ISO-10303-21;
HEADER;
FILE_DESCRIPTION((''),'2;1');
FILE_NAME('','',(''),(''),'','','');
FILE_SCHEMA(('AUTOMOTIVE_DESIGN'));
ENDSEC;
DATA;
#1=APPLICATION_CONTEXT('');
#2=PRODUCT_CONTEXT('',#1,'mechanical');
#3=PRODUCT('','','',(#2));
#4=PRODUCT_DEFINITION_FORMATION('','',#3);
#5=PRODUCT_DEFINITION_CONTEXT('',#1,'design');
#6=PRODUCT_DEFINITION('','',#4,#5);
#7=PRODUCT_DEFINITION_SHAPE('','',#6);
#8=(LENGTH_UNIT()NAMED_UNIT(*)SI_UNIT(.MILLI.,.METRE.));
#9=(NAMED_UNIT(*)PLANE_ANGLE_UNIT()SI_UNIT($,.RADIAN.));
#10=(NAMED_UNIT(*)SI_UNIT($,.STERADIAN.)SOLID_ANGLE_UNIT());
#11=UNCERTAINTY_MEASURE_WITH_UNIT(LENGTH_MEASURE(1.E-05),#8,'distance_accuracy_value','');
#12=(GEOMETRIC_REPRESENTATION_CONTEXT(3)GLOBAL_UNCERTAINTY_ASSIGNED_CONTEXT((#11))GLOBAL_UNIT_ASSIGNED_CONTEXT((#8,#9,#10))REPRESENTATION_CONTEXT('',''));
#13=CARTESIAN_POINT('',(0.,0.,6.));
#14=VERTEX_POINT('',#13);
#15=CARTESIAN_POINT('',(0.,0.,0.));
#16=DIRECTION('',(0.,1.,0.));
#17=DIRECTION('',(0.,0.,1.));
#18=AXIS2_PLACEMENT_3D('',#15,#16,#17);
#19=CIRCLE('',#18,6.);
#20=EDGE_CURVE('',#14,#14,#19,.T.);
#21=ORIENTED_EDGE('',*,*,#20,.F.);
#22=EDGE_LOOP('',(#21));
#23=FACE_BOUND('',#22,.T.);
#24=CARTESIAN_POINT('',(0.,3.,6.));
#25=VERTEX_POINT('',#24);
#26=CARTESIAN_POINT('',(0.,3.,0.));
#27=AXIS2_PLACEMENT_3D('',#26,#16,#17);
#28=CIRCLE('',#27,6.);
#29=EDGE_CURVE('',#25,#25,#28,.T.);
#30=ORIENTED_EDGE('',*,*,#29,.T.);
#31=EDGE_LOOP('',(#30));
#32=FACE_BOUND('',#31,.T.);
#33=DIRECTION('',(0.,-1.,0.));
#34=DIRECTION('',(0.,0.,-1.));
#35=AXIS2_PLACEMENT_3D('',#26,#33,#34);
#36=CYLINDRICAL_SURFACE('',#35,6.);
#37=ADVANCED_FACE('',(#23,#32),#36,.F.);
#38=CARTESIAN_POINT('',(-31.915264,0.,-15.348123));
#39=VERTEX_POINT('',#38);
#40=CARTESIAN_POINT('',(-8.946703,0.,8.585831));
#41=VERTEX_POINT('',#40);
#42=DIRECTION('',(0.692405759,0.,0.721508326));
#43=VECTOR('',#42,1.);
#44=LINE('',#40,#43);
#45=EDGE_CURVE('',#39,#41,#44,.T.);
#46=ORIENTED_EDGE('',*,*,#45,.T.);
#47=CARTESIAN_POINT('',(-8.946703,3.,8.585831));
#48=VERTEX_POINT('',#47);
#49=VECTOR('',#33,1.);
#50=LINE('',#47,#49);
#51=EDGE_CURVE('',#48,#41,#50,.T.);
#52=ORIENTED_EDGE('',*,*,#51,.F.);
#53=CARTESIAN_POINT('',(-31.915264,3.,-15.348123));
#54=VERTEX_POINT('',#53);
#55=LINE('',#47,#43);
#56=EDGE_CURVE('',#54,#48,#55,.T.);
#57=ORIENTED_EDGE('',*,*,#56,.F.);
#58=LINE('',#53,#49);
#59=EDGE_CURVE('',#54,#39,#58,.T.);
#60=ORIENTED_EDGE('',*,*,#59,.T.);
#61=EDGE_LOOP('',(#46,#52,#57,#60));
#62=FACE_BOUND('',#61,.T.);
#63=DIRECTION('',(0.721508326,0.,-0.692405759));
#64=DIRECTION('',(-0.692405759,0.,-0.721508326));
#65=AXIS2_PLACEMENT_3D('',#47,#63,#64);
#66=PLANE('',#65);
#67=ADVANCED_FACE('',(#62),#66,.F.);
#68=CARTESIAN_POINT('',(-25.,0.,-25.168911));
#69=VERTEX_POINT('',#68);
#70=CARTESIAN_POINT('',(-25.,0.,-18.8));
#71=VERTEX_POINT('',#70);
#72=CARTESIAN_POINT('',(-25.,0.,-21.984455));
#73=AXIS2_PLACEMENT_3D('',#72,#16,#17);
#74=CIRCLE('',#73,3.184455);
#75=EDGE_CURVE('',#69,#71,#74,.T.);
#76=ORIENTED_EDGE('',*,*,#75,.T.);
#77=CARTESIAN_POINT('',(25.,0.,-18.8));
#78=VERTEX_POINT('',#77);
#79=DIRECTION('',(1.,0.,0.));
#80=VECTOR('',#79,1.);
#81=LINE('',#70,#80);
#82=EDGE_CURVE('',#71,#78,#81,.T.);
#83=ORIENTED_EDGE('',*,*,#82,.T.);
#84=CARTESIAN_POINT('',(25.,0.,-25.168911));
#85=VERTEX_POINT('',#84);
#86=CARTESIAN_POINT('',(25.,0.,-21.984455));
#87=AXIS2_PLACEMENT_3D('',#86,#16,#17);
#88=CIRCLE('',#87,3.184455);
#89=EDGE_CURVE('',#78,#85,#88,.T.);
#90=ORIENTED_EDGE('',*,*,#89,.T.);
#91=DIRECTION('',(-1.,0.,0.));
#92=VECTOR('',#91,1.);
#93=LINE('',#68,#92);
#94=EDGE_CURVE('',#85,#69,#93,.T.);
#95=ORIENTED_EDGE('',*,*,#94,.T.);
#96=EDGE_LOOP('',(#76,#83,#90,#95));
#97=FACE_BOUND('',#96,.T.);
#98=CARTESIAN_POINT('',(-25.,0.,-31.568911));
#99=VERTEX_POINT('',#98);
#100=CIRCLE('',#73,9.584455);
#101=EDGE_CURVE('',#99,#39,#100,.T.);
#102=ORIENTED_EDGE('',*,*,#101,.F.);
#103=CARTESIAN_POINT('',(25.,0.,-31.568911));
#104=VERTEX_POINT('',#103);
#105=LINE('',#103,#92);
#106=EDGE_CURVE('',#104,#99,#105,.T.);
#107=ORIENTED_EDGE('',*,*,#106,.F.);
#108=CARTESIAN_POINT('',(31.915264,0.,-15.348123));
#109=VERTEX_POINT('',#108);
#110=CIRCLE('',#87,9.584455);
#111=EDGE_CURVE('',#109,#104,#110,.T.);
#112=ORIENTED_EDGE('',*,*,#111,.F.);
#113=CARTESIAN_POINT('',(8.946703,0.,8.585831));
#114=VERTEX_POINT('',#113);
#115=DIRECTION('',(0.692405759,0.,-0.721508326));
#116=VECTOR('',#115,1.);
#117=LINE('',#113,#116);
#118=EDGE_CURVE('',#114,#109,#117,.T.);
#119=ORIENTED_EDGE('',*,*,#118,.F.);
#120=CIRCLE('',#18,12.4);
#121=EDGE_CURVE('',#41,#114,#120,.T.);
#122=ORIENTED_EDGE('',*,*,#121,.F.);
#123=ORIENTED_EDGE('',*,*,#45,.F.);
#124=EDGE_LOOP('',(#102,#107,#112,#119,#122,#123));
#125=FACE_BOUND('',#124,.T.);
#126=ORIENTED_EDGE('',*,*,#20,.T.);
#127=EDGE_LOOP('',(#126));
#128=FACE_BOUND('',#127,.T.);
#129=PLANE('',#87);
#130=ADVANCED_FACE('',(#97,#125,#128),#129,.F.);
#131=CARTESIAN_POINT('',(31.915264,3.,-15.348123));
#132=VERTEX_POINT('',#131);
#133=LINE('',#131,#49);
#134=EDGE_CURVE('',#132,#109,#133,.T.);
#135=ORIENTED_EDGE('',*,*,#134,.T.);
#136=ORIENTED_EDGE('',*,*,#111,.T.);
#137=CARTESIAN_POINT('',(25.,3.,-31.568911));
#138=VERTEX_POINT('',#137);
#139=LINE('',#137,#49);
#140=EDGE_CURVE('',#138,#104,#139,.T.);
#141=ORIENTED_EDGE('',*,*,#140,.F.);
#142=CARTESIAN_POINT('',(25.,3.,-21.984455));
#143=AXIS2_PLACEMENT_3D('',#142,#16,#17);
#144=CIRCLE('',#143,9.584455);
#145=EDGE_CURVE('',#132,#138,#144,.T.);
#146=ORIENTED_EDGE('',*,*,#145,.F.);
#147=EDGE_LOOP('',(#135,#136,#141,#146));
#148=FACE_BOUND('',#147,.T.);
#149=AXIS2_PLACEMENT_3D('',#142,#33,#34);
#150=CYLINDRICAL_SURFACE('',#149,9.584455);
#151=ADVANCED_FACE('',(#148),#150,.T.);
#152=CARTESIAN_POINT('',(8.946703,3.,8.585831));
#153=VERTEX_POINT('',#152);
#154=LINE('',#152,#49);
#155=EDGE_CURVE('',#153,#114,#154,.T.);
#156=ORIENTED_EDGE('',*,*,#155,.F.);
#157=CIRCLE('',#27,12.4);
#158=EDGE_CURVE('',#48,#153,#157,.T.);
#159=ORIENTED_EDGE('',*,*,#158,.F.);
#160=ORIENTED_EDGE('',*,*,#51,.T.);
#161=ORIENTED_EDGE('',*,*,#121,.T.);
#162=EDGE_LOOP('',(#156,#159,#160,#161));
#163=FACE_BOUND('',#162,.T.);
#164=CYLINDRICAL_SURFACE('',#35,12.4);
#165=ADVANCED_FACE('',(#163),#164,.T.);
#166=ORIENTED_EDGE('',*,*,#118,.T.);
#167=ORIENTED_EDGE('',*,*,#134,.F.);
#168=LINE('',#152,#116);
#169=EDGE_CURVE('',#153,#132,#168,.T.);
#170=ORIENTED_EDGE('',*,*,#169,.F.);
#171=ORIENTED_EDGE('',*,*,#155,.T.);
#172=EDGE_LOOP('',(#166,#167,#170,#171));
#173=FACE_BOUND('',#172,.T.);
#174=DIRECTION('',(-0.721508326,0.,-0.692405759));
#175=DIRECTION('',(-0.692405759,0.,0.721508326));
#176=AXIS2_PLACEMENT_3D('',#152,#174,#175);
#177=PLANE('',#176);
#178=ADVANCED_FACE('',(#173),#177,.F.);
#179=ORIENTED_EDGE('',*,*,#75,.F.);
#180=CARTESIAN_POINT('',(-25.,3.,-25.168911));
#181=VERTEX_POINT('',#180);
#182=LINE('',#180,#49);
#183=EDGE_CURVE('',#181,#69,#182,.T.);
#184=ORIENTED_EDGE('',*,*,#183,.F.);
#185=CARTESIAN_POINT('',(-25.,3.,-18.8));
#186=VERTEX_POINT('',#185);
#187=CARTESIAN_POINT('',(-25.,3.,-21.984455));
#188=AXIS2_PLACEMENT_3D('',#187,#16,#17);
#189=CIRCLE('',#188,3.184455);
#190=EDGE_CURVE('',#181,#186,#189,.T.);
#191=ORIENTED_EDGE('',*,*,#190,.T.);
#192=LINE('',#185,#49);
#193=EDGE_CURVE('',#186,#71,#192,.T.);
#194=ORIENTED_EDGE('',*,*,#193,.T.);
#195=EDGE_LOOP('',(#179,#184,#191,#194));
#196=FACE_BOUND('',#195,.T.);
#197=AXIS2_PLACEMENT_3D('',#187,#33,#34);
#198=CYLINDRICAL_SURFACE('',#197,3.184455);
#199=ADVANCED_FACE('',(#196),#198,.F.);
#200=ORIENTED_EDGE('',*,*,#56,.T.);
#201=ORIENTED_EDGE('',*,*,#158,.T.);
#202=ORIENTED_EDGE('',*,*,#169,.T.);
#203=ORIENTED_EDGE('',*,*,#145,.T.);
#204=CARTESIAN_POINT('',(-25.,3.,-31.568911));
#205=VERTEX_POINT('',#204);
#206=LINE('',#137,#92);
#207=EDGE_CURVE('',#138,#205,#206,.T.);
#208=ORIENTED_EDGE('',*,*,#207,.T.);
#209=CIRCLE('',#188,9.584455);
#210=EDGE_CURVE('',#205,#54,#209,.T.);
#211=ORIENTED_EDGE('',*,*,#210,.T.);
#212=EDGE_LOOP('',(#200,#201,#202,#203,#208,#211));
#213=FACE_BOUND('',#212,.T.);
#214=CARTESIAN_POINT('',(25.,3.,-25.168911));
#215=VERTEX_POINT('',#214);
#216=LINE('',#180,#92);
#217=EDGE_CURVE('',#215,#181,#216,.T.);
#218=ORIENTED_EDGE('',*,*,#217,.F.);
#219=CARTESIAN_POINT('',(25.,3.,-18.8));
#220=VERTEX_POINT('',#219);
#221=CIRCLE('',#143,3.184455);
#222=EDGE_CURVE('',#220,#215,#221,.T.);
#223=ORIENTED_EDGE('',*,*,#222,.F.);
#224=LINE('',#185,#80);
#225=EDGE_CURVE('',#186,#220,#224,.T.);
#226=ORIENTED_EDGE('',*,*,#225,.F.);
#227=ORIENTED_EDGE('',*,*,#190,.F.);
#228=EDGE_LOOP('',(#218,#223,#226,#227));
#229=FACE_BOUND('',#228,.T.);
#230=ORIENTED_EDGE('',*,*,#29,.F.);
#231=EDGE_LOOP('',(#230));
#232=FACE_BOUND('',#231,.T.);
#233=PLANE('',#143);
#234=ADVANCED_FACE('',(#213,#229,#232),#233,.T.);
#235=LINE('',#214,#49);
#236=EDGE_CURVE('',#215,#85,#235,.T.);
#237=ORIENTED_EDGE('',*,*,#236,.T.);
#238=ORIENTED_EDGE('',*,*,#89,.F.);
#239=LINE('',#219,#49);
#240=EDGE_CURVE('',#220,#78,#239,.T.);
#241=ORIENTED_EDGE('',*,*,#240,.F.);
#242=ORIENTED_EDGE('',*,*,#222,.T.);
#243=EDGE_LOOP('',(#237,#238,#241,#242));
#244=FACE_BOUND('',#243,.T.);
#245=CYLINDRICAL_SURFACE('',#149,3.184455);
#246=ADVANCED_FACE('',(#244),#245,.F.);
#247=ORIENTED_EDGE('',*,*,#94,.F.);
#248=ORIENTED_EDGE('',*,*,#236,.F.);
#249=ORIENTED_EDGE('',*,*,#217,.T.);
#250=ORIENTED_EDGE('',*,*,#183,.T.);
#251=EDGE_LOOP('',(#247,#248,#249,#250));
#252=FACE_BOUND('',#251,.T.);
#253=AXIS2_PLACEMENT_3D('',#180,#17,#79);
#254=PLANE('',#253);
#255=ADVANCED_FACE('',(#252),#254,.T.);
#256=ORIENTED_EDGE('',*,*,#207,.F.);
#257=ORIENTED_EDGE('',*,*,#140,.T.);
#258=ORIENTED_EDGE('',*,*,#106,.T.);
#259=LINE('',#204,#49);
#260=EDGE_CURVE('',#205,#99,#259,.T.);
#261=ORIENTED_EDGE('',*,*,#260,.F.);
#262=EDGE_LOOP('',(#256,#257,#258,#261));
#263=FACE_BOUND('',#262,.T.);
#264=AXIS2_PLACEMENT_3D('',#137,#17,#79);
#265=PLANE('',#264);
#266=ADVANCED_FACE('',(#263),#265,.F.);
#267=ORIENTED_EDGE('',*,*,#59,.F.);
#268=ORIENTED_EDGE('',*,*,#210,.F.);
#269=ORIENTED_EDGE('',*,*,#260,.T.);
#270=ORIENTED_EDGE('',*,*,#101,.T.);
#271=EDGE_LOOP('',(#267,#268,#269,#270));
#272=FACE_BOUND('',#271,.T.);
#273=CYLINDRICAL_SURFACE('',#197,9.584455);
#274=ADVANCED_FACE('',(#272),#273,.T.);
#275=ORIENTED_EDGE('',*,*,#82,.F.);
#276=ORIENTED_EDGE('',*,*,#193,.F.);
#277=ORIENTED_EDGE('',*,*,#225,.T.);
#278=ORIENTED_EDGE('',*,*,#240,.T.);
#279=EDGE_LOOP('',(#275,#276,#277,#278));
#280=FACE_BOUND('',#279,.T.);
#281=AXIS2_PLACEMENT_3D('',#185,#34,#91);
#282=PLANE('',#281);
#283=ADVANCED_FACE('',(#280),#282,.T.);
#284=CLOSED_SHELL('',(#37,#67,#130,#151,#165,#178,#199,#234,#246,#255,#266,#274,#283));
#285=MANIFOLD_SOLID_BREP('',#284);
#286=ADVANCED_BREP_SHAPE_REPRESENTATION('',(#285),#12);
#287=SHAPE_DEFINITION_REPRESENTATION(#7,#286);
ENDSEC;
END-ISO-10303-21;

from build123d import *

# Parameters (mm, degrees)
SKETCH1_R           = 6
BOSS_EXTRUDE1_DEPTH = 3


with BuildPart() as part:
    # Sketch1 → Boss-Extrude1 (new body)
    with BuildSketch(Plane(origin=(0, 0, 0), x_dir=(1, 0, 0), z_dir=(0, 1, 0))):
        with BuildLine():
            Line((25, 31.568910727), (-25, 31.568910727))
            ThreePointArc((-25, 31.568910727), (-33.816672086, 25.743188919), (-31.915264344, 15.348123269))
            Line((-31.915264344, 15.348123269), (-8.946703241, -8.585831417))
            ThreePointArc((-8.946703241, -8.585831417), (0, -12.4), (8.946703241, -8.585831417))
            Line((8.946703241, -8.585831417), (31.915264344, 15.348123269))
            ThreePointArc((31.915264344, 15.348123269), (33.816672086, 25.743188919), (25, 31.568910727))
        make_face()
        with Locations(Location((0, 0, 0), (0, 0, 270))):
            Circle(SKETCH1_R, mode=Mode.SUBTRACT)
        with BuildLine():
            Line((-25, 25.168910727), (25, 25.168910727))
            ThreePointArc((25, 25.168910727), (28.184455364, 21.984455364), (25, 18.8))
            Line((25, 18.8), (-25, 18.8))
            ThreePointArc((-25, 18.8), (-28.184455364, 21.984455364), (-25, 25.168910727))
        make_face(mode=Mode.SUBTRACT)
    extrude(amount=BOSS_EXTRUDE1_DEPTH)


solid = part.part
